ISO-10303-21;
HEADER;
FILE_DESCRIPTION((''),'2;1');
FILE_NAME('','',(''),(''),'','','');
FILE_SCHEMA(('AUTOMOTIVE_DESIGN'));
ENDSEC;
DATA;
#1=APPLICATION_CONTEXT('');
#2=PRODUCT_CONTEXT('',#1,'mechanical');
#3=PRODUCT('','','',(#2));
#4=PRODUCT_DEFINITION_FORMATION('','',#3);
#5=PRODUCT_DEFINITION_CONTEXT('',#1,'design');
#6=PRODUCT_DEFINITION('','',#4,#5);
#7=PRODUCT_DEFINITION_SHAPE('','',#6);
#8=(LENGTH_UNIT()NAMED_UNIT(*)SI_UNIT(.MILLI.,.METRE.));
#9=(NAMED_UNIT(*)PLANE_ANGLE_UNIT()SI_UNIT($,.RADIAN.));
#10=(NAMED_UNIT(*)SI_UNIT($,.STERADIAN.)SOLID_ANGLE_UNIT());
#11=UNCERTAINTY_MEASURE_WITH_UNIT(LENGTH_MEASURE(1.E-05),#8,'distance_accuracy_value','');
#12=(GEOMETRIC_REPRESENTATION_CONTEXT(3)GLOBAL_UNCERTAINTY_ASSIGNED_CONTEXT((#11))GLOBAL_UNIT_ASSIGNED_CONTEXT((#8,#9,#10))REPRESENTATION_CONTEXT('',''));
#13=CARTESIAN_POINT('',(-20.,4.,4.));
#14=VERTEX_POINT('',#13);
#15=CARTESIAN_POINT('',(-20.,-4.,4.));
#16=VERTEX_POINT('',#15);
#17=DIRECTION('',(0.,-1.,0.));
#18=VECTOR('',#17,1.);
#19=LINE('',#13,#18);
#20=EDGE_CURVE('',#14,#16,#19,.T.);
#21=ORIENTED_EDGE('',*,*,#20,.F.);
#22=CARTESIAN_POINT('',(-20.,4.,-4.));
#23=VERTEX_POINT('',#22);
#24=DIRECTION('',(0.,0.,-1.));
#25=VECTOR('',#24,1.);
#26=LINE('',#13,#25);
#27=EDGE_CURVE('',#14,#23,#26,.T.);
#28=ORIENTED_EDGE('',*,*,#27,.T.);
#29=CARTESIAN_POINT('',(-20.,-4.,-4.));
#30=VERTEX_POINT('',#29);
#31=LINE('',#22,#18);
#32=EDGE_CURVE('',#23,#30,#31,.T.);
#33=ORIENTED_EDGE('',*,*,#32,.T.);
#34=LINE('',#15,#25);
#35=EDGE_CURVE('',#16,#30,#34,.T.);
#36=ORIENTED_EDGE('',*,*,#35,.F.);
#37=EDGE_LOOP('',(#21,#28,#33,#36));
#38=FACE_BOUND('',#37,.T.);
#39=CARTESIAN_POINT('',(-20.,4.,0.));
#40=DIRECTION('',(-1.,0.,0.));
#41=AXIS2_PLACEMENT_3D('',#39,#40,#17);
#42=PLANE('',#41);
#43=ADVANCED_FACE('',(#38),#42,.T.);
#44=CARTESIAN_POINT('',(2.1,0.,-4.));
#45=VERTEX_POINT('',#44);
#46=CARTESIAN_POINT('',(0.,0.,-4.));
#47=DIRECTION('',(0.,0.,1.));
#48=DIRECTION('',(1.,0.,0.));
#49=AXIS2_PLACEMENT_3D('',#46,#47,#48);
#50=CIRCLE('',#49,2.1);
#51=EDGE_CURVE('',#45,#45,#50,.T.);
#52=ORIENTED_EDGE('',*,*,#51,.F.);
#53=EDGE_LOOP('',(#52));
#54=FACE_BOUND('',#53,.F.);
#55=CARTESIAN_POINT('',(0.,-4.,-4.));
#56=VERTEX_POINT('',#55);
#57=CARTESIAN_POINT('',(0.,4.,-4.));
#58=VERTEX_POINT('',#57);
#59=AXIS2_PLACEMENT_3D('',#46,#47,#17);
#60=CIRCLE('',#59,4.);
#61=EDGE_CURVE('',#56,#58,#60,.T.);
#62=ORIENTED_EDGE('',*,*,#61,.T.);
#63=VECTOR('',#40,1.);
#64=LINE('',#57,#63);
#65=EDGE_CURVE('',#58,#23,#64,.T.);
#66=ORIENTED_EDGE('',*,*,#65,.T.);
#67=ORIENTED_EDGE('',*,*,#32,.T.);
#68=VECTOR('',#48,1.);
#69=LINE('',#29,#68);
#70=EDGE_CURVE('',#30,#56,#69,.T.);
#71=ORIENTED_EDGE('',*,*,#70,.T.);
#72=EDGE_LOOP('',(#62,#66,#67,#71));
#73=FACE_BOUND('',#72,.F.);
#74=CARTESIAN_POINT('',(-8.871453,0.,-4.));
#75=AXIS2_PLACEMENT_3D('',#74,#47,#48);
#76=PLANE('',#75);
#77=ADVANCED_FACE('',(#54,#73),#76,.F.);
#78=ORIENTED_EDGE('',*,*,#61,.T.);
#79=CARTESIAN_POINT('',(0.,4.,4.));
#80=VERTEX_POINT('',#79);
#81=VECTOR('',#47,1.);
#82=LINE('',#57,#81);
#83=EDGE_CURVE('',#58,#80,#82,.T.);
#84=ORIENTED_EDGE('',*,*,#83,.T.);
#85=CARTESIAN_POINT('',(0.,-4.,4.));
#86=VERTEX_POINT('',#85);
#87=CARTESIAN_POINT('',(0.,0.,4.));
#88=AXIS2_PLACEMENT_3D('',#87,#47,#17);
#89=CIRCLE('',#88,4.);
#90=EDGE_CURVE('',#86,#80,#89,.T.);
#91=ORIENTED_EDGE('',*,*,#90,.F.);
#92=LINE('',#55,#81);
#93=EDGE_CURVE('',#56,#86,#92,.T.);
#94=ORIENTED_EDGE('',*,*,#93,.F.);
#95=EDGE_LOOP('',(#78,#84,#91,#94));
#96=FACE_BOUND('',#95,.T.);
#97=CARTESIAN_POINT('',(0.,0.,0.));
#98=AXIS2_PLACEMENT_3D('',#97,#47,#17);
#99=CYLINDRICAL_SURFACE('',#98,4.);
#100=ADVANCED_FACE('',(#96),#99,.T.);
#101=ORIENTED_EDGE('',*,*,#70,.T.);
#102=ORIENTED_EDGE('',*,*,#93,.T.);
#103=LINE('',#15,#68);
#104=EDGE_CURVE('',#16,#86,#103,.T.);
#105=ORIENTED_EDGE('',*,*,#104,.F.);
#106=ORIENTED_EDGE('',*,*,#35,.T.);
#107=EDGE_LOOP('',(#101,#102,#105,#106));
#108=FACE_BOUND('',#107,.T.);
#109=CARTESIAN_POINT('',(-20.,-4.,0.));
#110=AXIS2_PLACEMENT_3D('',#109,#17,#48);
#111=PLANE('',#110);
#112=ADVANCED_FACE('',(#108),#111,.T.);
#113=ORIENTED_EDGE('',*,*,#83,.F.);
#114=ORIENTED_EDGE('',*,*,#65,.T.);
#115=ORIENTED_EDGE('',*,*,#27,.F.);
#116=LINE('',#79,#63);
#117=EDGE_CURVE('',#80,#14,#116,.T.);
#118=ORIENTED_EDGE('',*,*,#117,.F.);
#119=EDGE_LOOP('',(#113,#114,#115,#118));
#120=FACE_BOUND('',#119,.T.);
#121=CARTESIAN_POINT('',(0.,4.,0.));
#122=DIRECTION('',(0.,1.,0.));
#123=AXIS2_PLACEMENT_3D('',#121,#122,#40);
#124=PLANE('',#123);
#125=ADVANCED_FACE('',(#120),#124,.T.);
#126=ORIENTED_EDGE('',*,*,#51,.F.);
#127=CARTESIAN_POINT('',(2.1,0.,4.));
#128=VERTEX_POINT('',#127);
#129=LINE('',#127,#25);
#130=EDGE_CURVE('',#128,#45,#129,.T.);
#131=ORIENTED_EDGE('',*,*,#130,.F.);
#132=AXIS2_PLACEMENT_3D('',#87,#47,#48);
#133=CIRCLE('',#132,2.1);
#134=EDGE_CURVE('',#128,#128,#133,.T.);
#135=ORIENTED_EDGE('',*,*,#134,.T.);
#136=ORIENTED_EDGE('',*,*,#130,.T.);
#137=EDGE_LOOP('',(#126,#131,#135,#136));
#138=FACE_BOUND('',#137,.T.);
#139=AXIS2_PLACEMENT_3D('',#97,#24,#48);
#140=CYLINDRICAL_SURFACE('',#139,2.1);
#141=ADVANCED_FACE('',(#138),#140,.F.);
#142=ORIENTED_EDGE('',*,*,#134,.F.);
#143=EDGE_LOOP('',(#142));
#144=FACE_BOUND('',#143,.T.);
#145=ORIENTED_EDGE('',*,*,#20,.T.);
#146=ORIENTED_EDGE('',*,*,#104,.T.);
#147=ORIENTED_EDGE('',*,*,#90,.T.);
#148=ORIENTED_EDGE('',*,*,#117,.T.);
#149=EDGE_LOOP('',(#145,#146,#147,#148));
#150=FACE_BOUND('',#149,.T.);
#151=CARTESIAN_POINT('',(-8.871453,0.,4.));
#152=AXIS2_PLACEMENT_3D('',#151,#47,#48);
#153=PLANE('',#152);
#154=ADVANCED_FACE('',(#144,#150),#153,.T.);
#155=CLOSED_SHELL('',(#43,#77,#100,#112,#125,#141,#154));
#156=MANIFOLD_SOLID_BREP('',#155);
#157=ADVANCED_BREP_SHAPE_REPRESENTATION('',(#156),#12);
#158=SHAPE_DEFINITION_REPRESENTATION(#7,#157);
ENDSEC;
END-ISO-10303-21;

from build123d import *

# Parameters (mm, degrees)
F0_R     = 2.1
F1_DEPTH = 4


with BuildPart() as f1:
    # F0 (on Top) → F1 (new body, symmetric)
    with BuildSketch(Plane.XY):
        with BuildLine():
            Line((-20, -4), (0, -4))
            ThreePointArc((0, -4), (4, 0), (0, 4))
            Line((0, 4), (-20, 4))
            Line((-20, 4), (-20, -4))
        make_face()
        Circle(F0_R, mode=Mode.SUBTRACT)
    extrude(amount=F1_DEPTH, both=True)


solid = f1.part
